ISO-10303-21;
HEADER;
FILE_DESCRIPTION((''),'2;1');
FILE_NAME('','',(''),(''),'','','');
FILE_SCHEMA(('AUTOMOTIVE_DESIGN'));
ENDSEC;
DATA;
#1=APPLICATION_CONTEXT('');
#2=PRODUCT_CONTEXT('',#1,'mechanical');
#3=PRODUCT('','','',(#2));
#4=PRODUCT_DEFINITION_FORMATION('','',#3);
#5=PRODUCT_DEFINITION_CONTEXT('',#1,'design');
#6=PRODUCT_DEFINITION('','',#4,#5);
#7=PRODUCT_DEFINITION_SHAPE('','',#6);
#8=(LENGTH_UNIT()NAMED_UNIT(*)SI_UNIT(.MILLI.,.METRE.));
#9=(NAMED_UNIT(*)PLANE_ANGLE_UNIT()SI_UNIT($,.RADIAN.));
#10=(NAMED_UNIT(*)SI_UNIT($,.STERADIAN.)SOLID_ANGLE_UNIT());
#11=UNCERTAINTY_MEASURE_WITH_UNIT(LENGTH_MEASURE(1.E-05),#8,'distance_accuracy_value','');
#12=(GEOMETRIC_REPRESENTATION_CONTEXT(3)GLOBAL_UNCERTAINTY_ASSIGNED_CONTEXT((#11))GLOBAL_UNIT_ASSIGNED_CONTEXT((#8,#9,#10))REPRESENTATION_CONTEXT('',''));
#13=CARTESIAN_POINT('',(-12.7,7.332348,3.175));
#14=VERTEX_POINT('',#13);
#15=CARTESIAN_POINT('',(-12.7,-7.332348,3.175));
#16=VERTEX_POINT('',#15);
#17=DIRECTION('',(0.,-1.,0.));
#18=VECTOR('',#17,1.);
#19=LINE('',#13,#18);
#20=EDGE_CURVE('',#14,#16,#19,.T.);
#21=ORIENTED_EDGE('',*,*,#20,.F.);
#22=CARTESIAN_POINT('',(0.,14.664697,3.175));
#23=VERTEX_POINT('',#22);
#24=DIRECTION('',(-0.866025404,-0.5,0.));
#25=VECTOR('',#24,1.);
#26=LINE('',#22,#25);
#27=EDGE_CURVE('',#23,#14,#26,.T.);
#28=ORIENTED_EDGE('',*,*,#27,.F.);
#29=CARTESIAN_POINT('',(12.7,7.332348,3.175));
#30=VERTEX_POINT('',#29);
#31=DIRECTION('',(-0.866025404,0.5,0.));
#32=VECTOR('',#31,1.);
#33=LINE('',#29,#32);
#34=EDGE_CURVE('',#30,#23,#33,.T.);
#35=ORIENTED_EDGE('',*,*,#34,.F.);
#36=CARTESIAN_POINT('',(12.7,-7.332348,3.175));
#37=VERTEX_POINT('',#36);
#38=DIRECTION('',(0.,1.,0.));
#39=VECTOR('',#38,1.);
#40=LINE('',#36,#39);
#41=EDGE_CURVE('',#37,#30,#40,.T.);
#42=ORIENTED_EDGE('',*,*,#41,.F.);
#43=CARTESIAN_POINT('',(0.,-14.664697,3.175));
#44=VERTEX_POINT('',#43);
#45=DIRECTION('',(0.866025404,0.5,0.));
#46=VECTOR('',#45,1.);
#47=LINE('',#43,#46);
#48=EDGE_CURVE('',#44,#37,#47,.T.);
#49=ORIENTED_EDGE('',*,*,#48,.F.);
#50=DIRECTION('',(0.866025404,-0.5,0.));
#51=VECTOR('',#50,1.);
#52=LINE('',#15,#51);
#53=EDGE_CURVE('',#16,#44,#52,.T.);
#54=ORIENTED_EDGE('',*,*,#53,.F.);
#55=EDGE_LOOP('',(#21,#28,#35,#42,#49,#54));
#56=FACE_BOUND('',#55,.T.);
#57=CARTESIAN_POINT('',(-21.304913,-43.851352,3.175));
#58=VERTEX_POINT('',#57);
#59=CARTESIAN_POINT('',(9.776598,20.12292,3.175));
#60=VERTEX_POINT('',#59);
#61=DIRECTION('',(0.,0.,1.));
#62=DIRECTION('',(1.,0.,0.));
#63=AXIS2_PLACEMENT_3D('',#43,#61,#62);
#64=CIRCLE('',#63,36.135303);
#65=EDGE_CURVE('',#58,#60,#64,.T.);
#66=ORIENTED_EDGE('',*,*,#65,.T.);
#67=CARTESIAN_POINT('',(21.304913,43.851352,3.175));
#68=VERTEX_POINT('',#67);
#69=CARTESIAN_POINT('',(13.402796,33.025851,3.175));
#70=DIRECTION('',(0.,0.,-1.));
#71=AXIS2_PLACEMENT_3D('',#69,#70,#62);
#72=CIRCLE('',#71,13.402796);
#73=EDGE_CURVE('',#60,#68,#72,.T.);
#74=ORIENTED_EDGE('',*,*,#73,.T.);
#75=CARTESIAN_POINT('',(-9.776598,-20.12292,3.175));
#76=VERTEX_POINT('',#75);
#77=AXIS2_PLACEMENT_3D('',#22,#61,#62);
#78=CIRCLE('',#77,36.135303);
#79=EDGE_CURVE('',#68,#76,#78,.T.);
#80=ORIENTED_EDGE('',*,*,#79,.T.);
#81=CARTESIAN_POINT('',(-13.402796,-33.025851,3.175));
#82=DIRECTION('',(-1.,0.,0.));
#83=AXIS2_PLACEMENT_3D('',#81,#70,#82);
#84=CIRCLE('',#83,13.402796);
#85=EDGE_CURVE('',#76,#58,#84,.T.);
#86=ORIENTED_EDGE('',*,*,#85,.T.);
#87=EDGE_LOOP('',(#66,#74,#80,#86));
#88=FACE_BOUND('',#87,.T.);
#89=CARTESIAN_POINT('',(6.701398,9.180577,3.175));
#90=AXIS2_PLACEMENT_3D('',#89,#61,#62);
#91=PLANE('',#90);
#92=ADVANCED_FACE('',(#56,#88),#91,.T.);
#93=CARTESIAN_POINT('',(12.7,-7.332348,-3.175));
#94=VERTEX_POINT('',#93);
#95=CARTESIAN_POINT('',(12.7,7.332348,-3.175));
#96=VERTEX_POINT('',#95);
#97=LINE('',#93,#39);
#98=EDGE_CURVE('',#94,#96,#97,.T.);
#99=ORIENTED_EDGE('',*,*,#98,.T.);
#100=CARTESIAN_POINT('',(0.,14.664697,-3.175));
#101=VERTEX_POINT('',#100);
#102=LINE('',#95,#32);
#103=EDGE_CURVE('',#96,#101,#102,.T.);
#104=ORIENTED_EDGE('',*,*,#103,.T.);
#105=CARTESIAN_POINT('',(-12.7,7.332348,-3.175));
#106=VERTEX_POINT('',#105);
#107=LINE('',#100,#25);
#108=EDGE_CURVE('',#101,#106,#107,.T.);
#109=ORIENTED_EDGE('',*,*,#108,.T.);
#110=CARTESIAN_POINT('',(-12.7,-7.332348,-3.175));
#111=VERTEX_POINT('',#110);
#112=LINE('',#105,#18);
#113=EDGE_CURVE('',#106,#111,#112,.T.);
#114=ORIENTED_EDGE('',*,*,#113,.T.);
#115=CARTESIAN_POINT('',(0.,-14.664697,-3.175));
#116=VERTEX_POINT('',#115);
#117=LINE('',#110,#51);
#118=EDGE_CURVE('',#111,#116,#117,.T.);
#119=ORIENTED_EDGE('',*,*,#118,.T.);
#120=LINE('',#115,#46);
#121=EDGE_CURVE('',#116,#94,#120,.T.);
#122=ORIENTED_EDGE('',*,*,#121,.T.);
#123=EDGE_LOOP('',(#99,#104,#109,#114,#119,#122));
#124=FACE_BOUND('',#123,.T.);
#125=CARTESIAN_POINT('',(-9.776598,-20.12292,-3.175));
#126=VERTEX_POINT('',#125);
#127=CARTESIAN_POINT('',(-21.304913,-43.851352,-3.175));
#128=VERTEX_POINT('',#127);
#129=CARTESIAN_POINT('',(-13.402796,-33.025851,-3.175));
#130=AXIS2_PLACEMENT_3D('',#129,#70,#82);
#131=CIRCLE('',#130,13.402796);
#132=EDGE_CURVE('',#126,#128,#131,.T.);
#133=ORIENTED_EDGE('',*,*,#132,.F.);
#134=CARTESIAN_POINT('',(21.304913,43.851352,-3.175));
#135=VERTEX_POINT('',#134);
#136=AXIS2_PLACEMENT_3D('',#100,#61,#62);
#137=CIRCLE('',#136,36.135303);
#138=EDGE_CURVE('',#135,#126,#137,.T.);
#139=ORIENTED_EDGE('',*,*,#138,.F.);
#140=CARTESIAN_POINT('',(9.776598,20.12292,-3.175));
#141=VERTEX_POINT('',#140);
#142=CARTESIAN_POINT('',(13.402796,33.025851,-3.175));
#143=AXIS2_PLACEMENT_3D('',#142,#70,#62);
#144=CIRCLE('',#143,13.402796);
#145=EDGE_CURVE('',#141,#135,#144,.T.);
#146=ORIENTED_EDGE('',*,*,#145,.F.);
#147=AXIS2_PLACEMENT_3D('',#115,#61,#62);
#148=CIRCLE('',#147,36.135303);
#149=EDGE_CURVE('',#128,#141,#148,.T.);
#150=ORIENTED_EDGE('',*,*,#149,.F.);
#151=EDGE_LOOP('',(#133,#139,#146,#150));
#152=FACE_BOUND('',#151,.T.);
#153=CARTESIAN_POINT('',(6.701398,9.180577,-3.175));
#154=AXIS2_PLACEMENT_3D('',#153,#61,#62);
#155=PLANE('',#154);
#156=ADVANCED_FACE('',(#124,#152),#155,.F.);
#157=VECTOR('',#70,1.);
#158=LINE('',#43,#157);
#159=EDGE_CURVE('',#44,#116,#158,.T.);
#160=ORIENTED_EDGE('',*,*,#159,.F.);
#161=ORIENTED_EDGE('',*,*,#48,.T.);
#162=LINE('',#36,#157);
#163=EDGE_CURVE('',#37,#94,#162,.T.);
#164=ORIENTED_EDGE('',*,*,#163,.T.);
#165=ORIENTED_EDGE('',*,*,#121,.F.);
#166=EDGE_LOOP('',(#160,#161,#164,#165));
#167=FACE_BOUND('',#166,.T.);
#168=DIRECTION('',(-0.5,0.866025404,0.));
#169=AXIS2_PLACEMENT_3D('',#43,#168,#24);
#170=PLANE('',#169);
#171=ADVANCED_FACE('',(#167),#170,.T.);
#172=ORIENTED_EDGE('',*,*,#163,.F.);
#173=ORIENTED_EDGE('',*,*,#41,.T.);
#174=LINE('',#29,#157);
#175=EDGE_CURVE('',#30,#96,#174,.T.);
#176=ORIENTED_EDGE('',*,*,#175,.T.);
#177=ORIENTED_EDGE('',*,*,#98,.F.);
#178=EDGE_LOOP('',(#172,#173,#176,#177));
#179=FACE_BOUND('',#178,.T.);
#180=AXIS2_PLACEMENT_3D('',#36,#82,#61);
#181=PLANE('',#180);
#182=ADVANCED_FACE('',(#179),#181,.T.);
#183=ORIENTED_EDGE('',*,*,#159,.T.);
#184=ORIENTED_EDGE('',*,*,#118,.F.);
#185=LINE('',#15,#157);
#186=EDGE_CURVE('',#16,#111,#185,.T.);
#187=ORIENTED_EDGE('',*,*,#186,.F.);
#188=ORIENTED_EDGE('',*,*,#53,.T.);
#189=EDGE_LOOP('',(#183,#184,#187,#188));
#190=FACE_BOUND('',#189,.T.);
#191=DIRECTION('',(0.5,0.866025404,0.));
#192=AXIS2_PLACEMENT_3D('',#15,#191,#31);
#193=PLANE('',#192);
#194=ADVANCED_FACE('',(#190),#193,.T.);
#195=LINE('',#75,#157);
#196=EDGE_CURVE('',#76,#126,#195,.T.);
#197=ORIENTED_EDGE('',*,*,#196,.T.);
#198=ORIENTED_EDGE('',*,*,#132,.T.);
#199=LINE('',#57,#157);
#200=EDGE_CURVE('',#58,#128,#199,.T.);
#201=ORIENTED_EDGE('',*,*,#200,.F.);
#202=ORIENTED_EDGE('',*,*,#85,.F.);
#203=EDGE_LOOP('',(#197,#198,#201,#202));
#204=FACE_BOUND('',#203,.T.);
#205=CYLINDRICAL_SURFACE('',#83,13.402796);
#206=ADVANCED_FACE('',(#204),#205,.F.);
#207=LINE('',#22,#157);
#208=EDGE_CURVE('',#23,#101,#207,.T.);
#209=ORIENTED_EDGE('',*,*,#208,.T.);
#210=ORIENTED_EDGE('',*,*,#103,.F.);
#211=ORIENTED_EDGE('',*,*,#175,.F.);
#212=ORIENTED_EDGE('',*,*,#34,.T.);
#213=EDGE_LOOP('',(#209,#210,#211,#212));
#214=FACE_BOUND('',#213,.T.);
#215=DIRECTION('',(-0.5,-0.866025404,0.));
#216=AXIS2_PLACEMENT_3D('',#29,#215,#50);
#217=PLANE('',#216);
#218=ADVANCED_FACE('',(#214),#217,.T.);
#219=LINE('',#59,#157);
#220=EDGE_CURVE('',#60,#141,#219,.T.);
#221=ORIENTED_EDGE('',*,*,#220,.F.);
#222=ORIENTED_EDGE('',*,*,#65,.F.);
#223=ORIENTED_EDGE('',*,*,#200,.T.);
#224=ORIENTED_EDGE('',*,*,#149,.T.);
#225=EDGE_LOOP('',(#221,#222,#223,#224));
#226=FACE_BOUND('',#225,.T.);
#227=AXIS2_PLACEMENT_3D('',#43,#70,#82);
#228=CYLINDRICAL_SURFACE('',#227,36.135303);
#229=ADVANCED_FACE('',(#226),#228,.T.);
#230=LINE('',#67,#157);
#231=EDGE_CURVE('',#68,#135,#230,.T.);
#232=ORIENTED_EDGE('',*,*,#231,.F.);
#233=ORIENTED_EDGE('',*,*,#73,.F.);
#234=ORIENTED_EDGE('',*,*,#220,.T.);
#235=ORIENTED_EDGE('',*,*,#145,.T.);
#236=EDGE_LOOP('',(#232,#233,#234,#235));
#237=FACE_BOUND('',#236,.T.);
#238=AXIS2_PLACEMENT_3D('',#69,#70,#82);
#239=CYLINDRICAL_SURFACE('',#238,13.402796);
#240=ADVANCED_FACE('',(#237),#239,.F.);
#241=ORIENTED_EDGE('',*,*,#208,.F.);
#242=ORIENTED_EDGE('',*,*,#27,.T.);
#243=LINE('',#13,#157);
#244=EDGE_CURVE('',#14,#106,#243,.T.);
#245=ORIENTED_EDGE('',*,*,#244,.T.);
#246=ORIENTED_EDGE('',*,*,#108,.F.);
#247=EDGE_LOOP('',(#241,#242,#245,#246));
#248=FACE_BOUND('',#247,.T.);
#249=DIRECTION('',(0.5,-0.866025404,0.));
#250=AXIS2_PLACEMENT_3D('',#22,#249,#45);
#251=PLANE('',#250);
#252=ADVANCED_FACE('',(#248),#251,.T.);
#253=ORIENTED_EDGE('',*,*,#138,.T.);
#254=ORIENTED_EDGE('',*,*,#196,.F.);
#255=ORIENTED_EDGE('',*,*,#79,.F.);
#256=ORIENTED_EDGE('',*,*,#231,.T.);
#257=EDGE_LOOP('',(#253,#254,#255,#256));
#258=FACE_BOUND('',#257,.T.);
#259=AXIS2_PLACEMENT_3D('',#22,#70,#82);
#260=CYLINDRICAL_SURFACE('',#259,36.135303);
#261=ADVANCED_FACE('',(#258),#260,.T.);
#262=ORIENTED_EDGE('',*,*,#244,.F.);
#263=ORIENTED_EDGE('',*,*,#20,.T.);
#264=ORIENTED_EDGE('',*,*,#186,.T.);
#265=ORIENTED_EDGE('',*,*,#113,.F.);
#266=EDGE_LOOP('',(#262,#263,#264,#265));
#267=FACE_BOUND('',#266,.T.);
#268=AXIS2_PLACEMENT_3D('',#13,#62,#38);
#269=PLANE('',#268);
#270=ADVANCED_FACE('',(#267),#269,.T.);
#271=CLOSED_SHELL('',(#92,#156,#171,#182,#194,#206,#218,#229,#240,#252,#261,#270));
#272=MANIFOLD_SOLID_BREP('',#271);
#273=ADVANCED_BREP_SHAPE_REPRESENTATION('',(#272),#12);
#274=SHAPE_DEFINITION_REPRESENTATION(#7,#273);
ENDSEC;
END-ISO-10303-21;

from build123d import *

# Parameters (mm, degrees)
BOSS_EXTRUDE2_DEPTH = 3.175


with BuildPart() as part:
    # Sketch1 → Boss-Extrude2 (new body, symmetric)
    with BuildSketch(Plane.XY):
        with BuildLine():
            ThreePointArc((-21.30491262, -43.851351885), (32.502343983, -30.45576299), (9.776598146, 20.122919685))
            ThreePointArc((9.776598146, 20.122919685), (1.347485848, 38.882849469), (21.30491262, 43.851351885))
            ThreePointArc((21.30491262, 43.851351885), (-32.502343983, 30.45576299), (-9.776598146, -20.122919685))
            ThreePointArc((-9.776598146, -20.122919685), (-1.347485848, -38.882849469), (-21.30491262, -43.851351885))
        make_face()
        Polygon((0, 14.664696837), (-12.7, 7.332348419), (-12.7, -7.332348419), (0, -14.664696837), (12.7, -7.332348419), (12.7, 7.332348419), align=None, mode=Mode.SUBTRACT)
    extrude(amount=BOSS_EXTRUDE2_DEPTH, both=True)


solid = part.part
